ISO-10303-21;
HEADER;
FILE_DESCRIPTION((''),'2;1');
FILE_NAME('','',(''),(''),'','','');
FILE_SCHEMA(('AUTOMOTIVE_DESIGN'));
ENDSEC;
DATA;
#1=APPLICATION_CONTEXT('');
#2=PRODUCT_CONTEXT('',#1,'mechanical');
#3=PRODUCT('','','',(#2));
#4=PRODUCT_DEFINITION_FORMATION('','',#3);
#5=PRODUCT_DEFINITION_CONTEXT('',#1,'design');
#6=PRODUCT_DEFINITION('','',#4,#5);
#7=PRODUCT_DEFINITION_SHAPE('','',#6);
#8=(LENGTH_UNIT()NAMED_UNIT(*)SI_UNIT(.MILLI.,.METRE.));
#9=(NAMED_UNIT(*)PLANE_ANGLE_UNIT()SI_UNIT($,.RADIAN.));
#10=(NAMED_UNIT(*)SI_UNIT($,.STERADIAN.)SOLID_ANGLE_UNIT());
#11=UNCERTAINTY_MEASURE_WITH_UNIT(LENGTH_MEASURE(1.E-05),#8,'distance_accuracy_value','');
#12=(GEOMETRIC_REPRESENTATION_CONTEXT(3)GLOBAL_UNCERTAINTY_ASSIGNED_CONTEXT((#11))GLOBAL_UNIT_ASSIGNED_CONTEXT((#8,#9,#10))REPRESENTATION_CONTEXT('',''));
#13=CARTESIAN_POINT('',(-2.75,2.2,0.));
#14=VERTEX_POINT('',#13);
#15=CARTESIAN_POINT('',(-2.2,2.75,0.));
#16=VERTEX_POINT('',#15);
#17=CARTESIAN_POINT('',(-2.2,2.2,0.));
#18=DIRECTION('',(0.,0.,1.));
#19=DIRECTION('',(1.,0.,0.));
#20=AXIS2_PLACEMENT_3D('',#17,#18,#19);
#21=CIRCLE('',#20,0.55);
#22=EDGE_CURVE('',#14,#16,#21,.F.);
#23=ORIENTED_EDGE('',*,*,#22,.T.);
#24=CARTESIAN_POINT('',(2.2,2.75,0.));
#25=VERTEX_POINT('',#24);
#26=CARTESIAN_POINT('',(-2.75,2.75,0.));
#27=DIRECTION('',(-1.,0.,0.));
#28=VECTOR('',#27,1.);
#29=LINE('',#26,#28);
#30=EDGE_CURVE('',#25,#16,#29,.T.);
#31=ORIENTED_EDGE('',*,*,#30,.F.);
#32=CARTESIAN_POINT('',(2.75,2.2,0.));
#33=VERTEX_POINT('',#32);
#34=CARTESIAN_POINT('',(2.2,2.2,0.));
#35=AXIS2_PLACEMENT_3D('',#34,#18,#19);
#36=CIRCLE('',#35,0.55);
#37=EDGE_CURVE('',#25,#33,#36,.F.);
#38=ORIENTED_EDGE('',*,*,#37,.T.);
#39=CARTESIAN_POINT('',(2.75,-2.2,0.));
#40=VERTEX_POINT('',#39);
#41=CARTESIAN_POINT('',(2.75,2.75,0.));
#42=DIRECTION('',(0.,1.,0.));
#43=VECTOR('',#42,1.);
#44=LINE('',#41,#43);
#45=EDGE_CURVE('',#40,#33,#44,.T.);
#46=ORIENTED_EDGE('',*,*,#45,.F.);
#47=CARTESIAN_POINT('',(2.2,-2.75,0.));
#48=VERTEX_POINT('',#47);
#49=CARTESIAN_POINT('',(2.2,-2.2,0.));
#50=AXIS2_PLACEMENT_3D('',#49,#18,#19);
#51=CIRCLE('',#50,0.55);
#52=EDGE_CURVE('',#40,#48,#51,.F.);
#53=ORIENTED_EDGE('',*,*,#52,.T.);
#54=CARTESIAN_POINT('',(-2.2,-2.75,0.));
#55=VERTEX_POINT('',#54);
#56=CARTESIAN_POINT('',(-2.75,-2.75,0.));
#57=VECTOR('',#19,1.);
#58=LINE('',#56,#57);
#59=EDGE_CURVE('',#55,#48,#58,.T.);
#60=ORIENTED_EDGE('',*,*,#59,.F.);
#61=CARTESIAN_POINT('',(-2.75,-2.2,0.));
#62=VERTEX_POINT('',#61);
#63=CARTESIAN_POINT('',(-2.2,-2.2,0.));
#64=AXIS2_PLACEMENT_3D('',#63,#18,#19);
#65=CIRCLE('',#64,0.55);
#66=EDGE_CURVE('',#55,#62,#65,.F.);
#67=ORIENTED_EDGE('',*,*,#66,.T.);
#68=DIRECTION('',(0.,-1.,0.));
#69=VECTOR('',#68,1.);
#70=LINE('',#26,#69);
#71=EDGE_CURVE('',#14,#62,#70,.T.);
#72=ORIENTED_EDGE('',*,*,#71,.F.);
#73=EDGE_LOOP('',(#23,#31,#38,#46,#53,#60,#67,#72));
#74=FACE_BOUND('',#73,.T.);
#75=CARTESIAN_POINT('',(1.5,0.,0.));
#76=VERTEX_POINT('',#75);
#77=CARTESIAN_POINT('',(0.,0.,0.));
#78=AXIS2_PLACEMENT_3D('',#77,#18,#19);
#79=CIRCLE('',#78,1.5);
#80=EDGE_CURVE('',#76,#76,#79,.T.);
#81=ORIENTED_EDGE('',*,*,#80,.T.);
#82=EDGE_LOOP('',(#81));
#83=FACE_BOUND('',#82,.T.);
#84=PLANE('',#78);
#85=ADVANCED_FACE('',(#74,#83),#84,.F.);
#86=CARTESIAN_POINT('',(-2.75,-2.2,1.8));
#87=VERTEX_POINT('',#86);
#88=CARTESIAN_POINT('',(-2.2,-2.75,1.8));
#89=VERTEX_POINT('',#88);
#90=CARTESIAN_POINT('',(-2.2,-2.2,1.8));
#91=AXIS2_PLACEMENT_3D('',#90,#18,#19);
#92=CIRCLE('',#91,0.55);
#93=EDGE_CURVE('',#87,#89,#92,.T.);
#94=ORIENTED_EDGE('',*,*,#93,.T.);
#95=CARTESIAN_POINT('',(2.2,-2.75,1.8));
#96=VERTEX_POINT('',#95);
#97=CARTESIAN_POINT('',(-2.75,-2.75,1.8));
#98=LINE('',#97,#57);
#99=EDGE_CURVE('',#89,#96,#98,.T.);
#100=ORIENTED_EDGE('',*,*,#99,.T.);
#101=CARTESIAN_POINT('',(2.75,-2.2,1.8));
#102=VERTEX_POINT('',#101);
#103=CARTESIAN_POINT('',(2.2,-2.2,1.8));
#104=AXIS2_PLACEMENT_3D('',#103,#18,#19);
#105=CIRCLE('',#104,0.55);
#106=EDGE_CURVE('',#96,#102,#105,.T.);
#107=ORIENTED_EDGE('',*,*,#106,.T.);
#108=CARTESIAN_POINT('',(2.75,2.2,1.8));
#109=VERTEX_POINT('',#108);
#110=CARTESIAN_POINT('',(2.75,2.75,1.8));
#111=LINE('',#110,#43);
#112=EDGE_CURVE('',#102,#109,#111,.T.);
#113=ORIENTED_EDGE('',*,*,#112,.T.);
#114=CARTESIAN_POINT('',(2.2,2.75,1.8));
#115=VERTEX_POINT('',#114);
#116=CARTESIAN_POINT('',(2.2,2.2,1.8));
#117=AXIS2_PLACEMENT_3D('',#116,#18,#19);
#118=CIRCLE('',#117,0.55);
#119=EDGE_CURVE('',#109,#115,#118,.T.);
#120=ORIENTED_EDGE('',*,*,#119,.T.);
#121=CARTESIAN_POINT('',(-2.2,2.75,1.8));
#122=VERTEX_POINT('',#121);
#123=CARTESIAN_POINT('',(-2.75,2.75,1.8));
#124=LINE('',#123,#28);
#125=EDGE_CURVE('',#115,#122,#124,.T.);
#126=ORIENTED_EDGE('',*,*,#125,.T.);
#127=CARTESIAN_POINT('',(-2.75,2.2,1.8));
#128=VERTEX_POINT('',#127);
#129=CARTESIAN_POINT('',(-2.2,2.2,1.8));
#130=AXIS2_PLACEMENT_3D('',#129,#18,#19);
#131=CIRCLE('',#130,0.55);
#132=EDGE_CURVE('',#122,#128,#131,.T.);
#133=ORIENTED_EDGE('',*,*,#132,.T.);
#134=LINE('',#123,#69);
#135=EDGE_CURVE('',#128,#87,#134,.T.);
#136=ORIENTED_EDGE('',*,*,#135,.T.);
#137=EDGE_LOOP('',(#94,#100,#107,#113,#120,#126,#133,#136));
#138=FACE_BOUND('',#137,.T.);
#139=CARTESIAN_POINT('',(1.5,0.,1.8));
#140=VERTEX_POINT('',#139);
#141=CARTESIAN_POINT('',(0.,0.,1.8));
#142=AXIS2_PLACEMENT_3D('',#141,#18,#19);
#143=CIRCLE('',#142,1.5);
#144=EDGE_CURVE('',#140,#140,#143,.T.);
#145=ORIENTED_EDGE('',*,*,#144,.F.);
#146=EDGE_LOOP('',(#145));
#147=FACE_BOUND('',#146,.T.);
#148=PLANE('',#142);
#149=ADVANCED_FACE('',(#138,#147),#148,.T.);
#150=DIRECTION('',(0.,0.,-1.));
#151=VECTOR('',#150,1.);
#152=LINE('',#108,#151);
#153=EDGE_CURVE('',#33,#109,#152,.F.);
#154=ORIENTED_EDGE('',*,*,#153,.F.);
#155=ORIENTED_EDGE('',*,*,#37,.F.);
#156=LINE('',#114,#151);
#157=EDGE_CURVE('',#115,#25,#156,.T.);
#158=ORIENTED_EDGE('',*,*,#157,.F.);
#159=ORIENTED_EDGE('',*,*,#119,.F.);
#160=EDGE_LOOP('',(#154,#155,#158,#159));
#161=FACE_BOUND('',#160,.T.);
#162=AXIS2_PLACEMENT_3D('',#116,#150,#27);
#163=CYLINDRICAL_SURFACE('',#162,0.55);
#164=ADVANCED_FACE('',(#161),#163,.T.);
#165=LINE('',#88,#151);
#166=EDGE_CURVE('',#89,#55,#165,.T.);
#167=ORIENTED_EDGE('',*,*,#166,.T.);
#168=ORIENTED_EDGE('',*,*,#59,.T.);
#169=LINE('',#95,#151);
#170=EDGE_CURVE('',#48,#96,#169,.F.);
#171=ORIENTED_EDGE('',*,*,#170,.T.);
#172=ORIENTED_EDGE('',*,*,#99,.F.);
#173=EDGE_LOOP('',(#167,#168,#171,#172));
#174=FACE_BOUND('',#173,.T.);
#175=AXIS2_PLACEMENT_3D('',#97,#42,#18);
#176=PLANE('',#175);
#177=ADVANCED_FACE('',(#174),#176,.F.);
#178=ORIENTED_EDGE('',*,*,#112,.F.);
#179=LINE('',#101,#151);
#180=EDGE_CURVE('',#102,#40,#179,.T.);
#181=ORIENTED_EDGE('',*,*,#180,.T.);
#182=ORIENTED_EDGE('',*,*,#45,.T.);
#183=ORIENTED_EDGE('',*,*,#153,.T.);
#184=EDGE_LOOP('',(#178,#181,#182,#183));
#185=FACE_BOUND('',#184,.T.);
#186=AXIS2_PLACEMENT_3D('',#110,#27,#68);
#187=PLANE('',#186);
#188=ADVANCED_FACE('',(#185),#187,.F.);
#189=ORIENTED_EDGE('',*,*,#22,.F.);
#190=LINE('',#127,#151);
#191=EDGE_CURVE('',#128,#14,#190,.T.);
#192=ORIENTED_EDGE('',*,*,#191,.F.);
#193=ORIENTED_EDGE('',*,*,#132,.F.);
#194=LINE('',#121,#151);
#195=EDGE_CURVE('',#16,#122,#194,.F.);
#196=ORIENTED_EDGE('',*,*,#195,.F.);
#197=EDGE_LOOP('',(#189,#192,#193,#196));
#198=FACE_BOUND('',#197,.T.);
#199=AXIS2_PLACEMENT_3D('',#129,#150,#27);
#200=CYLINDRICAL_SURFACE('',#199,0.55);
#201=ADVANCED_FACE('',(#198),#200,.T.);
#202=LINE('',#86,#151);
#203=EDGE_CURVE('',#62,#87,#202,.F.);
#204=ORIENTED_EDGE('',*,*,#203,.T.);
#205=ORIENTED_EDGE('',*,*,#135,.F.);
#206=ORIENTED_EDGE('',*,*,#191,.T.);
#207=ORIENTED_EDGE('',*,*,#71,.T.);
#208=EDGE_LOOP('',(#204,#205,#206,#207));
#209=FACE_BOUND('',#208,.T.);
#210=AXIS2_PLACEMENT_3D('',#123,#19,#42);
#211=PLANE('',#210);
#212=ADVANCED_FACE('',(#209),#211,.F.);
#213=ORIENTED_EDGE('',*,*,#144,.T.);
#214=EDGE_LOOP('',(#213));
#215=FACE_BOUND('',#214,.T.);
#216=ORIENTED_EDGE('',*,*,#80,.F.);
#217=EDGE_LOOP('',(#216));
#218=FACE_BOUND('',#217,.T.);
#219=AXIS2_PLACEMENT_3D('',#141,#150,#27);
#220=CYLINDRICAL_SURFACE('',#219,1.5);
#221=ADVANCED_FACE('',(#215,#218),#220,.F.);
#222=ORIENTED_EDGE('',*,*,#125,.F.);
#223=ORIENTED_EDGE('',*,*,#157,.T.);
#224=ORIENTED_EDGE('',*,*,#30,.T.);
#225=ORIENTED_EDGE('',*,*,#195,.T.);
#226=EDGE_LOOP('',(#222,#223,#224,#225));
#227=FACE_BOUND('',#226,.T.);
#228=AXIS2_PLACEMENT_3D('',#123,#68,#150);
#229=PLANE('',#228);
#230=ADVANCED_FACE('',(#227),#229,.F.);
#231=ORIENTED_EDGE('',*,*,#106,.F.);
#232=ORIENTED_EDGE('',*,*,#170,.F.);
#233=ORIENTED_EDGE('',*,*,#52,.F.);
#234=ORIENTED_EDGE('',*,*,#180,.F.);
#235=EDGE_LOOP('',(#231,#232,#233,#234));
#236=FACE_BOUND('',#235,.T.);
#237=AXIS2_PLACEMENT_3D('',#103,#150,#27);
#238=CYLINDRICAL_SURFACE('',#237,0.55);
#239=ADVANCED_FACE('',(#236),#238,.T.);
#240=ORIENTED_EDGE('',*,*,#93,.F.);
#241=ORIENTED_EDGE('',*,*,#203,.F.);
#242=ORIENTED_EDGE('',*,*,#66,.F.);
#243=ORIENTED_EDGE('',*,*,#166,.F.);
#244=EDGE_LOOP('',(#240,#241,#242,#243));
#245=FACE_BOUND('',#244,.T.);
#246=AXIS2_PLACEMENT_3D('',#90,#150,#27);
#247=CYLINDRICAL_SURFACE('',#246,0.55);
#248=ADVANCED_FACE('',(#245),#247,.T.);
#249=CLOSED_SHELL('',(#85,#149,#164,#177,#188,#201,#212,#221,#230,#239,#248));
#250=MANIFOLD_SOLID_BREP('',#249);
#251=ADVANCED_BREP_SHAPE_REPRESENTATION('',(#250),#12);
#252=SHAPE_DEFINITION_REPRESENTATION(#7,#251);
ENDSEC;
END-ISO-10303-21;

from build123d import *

# Parameters (mm, degrees)
SKETCH1_W           = 5.5
SKETCH1_H           = 5.5
SKETCH1_R           = 1.5
BOSS_EXTRUDE1_DEPTH = 1.8
FILLET1_R           = 0.55


with BuildPart() as part:
    # Sketch1 → Boss-Extrude1 (new body)
    with BuildSketch(Plane.XY):
        Rectangle(SKETCH1_W, SKETCH1_H)
        Circle(SKETCH1_R, mode=Mode.SUBTRACT)
    extrude(amount=BOSS_EXTRUDE1_DEPTH)

    # Fillet1
    fillet1_edges = [part.edges().sort_by_distance(p)[0] for p in [
        (2.75, -2.75, 0.9),
        (-2.75, -2.75, 0.9),
        (-2.75, 2.75, 0.9),
        (2.75, 2.75, 0.9),
    ]]
    fillet(fillet1_edges, radius=FILLET1_R)


solid = part.part
